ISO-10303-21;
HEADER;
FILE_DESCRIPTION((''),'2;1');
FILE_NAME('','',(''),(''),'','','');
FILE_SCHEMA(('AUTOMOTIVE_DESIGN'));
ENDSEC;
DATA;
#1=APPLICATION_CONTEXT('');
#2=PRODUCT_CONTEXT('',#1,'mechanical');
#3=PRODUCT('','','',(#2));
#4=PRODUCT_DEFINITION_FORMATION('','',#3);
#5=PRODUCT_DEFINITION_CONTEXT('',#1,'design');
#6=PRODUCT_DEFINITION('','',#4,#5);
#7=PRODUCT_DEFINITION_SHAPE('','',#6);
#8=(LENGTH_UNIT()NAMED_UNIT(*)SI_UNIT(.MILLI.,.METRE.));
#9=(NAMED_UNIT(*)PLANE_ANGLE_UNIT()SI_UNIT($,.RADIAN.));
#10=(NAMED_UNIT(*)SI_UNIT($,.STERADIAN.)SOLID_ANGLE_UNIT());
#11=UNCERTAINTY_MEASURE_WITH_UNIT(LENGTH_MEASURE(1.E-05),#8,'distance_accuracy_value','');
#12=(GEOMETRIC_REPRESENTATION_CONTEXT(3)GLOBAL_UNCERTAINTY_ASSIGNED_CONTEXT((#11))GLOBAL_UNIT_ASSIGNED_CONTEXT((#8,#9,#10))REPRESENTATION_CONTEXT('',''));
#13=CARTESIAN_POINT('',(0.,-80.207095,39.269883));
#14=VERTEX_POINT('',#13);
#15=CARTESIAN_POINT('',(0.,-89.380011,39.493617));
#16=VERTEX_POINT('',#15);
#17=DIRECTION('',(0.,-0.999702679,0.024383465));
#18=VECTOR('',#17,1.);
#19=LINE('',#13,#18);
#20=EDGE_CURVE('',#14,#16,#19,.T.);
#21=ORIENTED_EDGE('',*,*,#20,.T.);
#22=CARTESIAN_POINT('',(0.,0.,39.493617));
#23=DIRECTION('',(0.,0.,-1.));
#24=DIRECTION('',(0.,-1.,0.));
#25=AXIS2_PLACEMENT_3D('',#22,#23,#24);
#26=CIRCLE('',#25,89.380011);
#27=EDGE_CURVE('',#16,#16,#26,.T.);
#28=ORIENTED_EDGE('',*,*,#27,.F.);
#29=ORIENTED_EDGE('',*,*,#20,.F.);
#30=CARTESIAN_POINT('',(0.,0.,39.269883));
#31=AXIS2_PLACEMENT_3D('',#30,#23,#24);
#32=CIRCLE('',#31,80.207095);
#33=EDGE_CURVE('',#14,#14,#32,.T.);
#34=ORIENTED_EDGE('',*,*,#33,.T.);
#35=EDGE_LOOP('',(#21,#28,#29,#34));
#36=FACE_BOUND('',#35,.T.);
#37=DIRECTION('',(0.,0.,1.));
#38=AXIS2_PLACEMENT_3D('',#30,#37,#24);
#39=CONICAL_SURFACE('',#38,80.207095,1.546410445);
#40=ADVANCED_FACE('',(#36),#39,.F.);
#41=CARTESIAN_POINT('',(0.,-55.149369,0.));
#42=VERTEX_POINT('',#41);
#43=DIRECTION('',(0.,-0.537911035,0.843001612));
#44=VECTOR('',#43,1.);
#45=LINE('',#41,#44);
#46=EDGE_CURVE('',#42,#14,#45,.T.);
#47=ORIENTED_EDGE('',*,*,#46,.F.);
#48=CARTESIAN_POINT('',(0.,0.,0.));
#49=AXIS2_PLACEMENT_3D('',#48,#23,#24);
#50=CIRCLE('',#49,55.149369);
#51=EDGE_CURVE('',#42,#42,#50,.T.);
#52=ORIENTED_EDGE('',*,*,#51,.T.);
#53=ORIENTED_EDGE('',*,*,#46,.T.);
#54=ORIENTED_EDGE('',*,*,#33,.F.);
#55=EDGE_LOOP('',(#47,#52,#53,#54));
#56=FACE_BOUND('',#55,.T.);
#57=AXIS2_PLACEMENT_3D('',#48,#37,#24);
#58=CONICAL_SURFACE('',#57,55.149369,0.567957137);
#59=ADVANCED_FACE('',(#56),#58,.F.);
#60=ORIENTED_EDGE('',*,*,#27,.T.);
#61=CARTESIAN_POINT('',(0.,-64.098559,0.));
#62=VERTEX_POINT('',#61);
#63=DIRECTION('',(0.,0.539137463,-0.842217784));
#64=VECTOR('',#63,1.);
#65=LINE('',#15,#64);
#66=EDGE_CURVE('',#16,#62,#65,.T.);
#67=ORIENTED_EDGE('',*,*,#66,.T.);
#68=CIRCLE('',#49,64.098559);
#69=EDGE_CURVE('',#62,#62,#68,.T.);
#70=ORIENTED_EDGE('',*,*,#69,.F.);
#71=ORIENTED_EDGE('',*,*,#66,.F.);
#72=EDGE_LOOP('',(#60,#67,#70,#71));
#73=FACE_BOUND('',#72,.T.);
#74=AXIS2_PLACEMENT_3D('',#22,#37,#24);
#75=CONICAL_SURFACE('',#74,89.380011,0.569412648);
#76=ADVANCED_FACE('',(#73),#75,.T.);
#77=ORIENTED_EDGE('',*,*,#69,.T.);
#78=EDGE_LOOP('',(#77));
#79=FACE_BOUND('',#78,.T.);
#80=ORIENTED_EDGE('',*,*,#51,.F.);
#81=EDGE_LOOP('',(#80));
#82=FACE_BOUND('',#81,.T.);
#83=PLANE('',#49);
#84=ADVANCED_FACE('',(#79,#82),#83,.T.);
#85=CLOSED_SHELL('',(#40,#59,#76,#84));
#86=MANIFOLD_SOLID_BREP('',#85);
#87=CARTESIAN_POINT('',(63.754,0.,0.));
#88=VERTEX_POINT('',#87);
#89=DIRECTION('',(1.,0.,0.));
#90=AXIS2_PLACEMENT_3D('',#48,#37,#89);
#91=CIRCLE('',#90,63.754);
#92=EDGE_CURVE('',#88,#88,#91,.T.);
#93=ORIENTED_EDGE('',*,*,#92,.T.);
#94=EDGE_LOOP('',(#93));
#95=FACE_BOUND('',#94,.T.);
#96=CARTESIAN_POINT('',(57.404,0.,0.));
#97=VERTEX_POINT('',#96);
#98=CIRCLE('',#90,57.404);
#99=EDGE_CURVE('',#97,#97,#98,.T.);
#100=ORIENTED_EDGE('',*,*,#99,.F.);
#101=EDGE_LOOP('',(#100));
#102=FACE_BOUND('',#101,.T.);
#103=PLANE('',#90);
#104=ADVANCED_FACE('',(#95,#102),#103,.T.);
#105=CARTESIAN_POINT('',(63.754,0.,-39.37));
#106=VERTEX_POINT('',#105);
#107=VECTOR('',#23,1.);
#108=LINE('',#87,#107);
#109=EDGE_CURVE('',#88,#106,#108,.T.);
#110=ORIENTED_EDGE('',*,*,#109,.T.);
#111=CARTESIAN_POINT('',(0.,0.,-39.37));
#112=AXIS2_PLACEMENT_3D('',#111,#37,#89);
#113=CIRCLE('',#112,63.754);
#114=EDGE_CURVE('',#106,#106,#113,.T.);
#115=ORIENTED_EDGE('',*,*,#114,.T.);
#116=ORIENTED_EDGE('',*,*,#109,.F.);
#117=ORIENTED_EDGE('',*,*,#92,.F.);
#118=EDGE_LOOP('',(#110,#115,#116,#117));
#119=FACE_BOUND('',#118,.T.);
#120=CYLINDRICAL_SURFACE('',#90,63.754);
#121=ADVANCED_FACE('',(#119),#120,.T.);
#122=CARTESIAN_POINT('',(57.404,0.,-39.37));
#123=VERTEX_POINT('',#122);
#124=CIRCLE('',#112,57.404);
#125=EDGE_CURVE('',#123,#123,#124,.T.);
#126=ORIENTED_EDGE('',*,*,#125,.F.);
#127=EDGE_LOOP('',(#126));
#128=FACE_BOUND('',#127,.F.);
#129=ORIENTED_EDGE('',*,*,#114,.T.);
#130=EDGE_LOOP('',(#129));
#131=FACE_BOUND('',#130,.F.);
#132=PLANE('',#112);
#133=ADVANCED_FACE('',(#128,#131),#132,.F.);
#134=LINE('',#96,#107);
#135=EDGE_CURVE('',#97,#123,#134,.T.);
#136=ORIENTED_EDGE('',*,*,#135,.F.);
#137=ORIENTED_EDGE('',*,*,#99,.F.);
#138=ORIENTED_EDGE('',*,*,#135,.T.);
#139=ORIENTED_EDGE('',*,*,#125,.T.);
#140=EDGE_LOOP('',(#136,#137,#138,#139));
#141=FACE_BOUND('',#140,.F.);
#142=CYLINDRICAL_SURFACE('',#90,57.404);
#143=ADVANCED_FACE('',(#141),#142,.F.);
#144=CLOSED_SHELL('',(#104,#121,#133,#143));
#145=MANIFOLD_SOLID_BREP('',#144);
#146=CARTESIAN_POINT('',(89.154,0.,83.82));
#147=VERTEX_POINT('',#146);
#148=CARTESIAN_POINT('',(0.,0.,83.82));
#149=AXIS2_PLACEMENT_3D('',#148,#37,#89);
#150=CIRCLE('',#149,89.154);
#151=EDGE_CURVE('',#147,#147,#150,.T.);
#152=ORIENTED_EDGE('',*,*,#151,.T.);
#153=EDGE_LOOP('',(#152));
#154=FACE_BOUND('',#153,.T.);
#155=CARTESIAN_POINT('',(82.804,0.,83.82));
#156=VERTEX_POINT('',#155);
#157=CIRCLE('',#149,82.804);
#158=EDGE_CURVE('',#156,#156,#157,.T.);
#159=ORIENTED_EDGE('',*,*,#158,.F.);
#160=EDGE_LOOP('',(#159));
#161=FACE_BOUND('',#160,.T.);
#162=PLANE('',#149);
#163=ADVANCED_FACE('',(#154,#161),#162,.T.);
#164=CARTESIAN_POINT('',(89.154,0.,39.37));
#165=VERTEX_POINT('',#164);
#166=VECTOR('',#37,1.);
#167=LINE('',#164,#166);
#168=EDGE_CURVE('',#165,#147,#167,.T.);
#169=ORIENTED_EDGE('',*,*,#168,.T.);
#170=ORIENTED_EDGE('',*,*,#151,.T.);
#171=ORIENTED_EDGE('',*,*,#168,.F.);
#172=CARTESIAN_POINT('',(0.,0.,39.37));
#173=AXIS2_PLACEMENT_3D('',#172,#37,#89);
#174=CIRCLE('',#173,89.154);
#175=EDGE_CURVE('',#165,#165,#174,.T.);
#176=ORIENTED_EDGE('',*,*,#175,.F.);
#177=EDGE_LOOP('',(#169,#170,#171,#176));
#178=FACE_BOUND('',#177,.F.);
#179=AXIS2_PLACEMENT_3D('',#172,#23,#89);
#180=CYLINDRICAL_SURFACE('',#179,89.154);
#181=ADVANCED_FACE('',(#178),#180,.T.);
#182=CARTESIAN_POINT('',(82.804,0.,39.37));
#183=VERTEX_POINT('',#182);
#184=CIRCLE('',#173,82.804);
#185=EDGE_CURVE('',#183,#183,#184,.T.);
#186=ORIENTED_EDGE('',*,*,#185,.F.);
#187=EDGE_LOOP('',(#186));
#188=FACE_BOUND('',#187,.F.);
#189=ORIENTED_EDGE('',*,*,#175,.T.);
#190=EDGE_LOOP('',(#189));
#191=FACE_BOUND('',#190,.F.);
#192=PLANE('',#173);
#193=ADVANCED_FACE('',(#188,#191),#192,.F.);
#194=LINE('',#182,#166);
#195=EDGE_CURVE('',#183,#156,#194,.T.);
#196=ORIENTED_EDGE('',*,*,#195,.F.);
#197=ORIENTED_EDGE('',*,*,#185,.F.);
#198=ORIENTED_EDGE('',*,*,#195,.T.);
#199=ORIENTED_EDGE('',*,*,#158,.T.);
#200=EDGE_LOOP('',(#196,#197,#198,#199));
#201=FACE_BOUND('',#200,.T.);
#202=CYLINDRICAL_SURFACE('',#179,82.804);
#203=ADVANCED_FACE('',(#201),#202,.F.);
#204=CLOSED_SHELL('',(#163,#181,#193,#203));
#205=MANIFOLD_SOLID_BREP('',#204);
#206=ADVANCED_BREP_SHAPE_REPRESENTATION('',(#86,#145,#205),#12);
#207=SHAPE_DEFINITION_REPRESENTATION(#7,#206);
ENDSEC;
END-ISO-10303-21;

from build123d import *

# Parameters (mm, degrees)
F1_R     = 63.754
F2_DEPTH = 39.37
F0_R     = 57.404
F3_DEPTH = 39.37
F5_R     = 89.154
F5_R_2   = 82.804
F6_DEPTH = 44.45


with BuildPart() as f2:
    # F1 (on Top) → F2 (new body)
    with BuildSketch(Plane.XY):
        Circle(F1_R)
    extrude(amount=-F2_DEPTH)

    # F0 (on Top) → F3 (cut)
    with BuildSketch(Plane.XY):
        Circle(F0_R)
    extrude(amount=-F3_DEPTH, mode=Mode.SUBTRACT)


with BuildPart() as f6:
    # F5 (on offset) → F6 (new body)
    with BuildSketch(Plane.XY.offset(39.37)):
        Circle(F5_R)
        Circle(F5_R_2, mode=Mode.SUBTRACT)
    extrude(amount=F6_DEPTH)


with BuildPart() as f8:
    # F7 (on Right) → F8 (revolve)
    with BuildSketch(Plane.YZ):
        Polygon((-80.207095, 39.269883), (-89.380011, 39.493617), (-64.098559, 0), (-55.149369, 0), align=None)
    revolve(axis=Axis((0, 0, 19.411214), (0, 0, -1)))


solid = Compound([f2.part, f6.part, f8.part])
